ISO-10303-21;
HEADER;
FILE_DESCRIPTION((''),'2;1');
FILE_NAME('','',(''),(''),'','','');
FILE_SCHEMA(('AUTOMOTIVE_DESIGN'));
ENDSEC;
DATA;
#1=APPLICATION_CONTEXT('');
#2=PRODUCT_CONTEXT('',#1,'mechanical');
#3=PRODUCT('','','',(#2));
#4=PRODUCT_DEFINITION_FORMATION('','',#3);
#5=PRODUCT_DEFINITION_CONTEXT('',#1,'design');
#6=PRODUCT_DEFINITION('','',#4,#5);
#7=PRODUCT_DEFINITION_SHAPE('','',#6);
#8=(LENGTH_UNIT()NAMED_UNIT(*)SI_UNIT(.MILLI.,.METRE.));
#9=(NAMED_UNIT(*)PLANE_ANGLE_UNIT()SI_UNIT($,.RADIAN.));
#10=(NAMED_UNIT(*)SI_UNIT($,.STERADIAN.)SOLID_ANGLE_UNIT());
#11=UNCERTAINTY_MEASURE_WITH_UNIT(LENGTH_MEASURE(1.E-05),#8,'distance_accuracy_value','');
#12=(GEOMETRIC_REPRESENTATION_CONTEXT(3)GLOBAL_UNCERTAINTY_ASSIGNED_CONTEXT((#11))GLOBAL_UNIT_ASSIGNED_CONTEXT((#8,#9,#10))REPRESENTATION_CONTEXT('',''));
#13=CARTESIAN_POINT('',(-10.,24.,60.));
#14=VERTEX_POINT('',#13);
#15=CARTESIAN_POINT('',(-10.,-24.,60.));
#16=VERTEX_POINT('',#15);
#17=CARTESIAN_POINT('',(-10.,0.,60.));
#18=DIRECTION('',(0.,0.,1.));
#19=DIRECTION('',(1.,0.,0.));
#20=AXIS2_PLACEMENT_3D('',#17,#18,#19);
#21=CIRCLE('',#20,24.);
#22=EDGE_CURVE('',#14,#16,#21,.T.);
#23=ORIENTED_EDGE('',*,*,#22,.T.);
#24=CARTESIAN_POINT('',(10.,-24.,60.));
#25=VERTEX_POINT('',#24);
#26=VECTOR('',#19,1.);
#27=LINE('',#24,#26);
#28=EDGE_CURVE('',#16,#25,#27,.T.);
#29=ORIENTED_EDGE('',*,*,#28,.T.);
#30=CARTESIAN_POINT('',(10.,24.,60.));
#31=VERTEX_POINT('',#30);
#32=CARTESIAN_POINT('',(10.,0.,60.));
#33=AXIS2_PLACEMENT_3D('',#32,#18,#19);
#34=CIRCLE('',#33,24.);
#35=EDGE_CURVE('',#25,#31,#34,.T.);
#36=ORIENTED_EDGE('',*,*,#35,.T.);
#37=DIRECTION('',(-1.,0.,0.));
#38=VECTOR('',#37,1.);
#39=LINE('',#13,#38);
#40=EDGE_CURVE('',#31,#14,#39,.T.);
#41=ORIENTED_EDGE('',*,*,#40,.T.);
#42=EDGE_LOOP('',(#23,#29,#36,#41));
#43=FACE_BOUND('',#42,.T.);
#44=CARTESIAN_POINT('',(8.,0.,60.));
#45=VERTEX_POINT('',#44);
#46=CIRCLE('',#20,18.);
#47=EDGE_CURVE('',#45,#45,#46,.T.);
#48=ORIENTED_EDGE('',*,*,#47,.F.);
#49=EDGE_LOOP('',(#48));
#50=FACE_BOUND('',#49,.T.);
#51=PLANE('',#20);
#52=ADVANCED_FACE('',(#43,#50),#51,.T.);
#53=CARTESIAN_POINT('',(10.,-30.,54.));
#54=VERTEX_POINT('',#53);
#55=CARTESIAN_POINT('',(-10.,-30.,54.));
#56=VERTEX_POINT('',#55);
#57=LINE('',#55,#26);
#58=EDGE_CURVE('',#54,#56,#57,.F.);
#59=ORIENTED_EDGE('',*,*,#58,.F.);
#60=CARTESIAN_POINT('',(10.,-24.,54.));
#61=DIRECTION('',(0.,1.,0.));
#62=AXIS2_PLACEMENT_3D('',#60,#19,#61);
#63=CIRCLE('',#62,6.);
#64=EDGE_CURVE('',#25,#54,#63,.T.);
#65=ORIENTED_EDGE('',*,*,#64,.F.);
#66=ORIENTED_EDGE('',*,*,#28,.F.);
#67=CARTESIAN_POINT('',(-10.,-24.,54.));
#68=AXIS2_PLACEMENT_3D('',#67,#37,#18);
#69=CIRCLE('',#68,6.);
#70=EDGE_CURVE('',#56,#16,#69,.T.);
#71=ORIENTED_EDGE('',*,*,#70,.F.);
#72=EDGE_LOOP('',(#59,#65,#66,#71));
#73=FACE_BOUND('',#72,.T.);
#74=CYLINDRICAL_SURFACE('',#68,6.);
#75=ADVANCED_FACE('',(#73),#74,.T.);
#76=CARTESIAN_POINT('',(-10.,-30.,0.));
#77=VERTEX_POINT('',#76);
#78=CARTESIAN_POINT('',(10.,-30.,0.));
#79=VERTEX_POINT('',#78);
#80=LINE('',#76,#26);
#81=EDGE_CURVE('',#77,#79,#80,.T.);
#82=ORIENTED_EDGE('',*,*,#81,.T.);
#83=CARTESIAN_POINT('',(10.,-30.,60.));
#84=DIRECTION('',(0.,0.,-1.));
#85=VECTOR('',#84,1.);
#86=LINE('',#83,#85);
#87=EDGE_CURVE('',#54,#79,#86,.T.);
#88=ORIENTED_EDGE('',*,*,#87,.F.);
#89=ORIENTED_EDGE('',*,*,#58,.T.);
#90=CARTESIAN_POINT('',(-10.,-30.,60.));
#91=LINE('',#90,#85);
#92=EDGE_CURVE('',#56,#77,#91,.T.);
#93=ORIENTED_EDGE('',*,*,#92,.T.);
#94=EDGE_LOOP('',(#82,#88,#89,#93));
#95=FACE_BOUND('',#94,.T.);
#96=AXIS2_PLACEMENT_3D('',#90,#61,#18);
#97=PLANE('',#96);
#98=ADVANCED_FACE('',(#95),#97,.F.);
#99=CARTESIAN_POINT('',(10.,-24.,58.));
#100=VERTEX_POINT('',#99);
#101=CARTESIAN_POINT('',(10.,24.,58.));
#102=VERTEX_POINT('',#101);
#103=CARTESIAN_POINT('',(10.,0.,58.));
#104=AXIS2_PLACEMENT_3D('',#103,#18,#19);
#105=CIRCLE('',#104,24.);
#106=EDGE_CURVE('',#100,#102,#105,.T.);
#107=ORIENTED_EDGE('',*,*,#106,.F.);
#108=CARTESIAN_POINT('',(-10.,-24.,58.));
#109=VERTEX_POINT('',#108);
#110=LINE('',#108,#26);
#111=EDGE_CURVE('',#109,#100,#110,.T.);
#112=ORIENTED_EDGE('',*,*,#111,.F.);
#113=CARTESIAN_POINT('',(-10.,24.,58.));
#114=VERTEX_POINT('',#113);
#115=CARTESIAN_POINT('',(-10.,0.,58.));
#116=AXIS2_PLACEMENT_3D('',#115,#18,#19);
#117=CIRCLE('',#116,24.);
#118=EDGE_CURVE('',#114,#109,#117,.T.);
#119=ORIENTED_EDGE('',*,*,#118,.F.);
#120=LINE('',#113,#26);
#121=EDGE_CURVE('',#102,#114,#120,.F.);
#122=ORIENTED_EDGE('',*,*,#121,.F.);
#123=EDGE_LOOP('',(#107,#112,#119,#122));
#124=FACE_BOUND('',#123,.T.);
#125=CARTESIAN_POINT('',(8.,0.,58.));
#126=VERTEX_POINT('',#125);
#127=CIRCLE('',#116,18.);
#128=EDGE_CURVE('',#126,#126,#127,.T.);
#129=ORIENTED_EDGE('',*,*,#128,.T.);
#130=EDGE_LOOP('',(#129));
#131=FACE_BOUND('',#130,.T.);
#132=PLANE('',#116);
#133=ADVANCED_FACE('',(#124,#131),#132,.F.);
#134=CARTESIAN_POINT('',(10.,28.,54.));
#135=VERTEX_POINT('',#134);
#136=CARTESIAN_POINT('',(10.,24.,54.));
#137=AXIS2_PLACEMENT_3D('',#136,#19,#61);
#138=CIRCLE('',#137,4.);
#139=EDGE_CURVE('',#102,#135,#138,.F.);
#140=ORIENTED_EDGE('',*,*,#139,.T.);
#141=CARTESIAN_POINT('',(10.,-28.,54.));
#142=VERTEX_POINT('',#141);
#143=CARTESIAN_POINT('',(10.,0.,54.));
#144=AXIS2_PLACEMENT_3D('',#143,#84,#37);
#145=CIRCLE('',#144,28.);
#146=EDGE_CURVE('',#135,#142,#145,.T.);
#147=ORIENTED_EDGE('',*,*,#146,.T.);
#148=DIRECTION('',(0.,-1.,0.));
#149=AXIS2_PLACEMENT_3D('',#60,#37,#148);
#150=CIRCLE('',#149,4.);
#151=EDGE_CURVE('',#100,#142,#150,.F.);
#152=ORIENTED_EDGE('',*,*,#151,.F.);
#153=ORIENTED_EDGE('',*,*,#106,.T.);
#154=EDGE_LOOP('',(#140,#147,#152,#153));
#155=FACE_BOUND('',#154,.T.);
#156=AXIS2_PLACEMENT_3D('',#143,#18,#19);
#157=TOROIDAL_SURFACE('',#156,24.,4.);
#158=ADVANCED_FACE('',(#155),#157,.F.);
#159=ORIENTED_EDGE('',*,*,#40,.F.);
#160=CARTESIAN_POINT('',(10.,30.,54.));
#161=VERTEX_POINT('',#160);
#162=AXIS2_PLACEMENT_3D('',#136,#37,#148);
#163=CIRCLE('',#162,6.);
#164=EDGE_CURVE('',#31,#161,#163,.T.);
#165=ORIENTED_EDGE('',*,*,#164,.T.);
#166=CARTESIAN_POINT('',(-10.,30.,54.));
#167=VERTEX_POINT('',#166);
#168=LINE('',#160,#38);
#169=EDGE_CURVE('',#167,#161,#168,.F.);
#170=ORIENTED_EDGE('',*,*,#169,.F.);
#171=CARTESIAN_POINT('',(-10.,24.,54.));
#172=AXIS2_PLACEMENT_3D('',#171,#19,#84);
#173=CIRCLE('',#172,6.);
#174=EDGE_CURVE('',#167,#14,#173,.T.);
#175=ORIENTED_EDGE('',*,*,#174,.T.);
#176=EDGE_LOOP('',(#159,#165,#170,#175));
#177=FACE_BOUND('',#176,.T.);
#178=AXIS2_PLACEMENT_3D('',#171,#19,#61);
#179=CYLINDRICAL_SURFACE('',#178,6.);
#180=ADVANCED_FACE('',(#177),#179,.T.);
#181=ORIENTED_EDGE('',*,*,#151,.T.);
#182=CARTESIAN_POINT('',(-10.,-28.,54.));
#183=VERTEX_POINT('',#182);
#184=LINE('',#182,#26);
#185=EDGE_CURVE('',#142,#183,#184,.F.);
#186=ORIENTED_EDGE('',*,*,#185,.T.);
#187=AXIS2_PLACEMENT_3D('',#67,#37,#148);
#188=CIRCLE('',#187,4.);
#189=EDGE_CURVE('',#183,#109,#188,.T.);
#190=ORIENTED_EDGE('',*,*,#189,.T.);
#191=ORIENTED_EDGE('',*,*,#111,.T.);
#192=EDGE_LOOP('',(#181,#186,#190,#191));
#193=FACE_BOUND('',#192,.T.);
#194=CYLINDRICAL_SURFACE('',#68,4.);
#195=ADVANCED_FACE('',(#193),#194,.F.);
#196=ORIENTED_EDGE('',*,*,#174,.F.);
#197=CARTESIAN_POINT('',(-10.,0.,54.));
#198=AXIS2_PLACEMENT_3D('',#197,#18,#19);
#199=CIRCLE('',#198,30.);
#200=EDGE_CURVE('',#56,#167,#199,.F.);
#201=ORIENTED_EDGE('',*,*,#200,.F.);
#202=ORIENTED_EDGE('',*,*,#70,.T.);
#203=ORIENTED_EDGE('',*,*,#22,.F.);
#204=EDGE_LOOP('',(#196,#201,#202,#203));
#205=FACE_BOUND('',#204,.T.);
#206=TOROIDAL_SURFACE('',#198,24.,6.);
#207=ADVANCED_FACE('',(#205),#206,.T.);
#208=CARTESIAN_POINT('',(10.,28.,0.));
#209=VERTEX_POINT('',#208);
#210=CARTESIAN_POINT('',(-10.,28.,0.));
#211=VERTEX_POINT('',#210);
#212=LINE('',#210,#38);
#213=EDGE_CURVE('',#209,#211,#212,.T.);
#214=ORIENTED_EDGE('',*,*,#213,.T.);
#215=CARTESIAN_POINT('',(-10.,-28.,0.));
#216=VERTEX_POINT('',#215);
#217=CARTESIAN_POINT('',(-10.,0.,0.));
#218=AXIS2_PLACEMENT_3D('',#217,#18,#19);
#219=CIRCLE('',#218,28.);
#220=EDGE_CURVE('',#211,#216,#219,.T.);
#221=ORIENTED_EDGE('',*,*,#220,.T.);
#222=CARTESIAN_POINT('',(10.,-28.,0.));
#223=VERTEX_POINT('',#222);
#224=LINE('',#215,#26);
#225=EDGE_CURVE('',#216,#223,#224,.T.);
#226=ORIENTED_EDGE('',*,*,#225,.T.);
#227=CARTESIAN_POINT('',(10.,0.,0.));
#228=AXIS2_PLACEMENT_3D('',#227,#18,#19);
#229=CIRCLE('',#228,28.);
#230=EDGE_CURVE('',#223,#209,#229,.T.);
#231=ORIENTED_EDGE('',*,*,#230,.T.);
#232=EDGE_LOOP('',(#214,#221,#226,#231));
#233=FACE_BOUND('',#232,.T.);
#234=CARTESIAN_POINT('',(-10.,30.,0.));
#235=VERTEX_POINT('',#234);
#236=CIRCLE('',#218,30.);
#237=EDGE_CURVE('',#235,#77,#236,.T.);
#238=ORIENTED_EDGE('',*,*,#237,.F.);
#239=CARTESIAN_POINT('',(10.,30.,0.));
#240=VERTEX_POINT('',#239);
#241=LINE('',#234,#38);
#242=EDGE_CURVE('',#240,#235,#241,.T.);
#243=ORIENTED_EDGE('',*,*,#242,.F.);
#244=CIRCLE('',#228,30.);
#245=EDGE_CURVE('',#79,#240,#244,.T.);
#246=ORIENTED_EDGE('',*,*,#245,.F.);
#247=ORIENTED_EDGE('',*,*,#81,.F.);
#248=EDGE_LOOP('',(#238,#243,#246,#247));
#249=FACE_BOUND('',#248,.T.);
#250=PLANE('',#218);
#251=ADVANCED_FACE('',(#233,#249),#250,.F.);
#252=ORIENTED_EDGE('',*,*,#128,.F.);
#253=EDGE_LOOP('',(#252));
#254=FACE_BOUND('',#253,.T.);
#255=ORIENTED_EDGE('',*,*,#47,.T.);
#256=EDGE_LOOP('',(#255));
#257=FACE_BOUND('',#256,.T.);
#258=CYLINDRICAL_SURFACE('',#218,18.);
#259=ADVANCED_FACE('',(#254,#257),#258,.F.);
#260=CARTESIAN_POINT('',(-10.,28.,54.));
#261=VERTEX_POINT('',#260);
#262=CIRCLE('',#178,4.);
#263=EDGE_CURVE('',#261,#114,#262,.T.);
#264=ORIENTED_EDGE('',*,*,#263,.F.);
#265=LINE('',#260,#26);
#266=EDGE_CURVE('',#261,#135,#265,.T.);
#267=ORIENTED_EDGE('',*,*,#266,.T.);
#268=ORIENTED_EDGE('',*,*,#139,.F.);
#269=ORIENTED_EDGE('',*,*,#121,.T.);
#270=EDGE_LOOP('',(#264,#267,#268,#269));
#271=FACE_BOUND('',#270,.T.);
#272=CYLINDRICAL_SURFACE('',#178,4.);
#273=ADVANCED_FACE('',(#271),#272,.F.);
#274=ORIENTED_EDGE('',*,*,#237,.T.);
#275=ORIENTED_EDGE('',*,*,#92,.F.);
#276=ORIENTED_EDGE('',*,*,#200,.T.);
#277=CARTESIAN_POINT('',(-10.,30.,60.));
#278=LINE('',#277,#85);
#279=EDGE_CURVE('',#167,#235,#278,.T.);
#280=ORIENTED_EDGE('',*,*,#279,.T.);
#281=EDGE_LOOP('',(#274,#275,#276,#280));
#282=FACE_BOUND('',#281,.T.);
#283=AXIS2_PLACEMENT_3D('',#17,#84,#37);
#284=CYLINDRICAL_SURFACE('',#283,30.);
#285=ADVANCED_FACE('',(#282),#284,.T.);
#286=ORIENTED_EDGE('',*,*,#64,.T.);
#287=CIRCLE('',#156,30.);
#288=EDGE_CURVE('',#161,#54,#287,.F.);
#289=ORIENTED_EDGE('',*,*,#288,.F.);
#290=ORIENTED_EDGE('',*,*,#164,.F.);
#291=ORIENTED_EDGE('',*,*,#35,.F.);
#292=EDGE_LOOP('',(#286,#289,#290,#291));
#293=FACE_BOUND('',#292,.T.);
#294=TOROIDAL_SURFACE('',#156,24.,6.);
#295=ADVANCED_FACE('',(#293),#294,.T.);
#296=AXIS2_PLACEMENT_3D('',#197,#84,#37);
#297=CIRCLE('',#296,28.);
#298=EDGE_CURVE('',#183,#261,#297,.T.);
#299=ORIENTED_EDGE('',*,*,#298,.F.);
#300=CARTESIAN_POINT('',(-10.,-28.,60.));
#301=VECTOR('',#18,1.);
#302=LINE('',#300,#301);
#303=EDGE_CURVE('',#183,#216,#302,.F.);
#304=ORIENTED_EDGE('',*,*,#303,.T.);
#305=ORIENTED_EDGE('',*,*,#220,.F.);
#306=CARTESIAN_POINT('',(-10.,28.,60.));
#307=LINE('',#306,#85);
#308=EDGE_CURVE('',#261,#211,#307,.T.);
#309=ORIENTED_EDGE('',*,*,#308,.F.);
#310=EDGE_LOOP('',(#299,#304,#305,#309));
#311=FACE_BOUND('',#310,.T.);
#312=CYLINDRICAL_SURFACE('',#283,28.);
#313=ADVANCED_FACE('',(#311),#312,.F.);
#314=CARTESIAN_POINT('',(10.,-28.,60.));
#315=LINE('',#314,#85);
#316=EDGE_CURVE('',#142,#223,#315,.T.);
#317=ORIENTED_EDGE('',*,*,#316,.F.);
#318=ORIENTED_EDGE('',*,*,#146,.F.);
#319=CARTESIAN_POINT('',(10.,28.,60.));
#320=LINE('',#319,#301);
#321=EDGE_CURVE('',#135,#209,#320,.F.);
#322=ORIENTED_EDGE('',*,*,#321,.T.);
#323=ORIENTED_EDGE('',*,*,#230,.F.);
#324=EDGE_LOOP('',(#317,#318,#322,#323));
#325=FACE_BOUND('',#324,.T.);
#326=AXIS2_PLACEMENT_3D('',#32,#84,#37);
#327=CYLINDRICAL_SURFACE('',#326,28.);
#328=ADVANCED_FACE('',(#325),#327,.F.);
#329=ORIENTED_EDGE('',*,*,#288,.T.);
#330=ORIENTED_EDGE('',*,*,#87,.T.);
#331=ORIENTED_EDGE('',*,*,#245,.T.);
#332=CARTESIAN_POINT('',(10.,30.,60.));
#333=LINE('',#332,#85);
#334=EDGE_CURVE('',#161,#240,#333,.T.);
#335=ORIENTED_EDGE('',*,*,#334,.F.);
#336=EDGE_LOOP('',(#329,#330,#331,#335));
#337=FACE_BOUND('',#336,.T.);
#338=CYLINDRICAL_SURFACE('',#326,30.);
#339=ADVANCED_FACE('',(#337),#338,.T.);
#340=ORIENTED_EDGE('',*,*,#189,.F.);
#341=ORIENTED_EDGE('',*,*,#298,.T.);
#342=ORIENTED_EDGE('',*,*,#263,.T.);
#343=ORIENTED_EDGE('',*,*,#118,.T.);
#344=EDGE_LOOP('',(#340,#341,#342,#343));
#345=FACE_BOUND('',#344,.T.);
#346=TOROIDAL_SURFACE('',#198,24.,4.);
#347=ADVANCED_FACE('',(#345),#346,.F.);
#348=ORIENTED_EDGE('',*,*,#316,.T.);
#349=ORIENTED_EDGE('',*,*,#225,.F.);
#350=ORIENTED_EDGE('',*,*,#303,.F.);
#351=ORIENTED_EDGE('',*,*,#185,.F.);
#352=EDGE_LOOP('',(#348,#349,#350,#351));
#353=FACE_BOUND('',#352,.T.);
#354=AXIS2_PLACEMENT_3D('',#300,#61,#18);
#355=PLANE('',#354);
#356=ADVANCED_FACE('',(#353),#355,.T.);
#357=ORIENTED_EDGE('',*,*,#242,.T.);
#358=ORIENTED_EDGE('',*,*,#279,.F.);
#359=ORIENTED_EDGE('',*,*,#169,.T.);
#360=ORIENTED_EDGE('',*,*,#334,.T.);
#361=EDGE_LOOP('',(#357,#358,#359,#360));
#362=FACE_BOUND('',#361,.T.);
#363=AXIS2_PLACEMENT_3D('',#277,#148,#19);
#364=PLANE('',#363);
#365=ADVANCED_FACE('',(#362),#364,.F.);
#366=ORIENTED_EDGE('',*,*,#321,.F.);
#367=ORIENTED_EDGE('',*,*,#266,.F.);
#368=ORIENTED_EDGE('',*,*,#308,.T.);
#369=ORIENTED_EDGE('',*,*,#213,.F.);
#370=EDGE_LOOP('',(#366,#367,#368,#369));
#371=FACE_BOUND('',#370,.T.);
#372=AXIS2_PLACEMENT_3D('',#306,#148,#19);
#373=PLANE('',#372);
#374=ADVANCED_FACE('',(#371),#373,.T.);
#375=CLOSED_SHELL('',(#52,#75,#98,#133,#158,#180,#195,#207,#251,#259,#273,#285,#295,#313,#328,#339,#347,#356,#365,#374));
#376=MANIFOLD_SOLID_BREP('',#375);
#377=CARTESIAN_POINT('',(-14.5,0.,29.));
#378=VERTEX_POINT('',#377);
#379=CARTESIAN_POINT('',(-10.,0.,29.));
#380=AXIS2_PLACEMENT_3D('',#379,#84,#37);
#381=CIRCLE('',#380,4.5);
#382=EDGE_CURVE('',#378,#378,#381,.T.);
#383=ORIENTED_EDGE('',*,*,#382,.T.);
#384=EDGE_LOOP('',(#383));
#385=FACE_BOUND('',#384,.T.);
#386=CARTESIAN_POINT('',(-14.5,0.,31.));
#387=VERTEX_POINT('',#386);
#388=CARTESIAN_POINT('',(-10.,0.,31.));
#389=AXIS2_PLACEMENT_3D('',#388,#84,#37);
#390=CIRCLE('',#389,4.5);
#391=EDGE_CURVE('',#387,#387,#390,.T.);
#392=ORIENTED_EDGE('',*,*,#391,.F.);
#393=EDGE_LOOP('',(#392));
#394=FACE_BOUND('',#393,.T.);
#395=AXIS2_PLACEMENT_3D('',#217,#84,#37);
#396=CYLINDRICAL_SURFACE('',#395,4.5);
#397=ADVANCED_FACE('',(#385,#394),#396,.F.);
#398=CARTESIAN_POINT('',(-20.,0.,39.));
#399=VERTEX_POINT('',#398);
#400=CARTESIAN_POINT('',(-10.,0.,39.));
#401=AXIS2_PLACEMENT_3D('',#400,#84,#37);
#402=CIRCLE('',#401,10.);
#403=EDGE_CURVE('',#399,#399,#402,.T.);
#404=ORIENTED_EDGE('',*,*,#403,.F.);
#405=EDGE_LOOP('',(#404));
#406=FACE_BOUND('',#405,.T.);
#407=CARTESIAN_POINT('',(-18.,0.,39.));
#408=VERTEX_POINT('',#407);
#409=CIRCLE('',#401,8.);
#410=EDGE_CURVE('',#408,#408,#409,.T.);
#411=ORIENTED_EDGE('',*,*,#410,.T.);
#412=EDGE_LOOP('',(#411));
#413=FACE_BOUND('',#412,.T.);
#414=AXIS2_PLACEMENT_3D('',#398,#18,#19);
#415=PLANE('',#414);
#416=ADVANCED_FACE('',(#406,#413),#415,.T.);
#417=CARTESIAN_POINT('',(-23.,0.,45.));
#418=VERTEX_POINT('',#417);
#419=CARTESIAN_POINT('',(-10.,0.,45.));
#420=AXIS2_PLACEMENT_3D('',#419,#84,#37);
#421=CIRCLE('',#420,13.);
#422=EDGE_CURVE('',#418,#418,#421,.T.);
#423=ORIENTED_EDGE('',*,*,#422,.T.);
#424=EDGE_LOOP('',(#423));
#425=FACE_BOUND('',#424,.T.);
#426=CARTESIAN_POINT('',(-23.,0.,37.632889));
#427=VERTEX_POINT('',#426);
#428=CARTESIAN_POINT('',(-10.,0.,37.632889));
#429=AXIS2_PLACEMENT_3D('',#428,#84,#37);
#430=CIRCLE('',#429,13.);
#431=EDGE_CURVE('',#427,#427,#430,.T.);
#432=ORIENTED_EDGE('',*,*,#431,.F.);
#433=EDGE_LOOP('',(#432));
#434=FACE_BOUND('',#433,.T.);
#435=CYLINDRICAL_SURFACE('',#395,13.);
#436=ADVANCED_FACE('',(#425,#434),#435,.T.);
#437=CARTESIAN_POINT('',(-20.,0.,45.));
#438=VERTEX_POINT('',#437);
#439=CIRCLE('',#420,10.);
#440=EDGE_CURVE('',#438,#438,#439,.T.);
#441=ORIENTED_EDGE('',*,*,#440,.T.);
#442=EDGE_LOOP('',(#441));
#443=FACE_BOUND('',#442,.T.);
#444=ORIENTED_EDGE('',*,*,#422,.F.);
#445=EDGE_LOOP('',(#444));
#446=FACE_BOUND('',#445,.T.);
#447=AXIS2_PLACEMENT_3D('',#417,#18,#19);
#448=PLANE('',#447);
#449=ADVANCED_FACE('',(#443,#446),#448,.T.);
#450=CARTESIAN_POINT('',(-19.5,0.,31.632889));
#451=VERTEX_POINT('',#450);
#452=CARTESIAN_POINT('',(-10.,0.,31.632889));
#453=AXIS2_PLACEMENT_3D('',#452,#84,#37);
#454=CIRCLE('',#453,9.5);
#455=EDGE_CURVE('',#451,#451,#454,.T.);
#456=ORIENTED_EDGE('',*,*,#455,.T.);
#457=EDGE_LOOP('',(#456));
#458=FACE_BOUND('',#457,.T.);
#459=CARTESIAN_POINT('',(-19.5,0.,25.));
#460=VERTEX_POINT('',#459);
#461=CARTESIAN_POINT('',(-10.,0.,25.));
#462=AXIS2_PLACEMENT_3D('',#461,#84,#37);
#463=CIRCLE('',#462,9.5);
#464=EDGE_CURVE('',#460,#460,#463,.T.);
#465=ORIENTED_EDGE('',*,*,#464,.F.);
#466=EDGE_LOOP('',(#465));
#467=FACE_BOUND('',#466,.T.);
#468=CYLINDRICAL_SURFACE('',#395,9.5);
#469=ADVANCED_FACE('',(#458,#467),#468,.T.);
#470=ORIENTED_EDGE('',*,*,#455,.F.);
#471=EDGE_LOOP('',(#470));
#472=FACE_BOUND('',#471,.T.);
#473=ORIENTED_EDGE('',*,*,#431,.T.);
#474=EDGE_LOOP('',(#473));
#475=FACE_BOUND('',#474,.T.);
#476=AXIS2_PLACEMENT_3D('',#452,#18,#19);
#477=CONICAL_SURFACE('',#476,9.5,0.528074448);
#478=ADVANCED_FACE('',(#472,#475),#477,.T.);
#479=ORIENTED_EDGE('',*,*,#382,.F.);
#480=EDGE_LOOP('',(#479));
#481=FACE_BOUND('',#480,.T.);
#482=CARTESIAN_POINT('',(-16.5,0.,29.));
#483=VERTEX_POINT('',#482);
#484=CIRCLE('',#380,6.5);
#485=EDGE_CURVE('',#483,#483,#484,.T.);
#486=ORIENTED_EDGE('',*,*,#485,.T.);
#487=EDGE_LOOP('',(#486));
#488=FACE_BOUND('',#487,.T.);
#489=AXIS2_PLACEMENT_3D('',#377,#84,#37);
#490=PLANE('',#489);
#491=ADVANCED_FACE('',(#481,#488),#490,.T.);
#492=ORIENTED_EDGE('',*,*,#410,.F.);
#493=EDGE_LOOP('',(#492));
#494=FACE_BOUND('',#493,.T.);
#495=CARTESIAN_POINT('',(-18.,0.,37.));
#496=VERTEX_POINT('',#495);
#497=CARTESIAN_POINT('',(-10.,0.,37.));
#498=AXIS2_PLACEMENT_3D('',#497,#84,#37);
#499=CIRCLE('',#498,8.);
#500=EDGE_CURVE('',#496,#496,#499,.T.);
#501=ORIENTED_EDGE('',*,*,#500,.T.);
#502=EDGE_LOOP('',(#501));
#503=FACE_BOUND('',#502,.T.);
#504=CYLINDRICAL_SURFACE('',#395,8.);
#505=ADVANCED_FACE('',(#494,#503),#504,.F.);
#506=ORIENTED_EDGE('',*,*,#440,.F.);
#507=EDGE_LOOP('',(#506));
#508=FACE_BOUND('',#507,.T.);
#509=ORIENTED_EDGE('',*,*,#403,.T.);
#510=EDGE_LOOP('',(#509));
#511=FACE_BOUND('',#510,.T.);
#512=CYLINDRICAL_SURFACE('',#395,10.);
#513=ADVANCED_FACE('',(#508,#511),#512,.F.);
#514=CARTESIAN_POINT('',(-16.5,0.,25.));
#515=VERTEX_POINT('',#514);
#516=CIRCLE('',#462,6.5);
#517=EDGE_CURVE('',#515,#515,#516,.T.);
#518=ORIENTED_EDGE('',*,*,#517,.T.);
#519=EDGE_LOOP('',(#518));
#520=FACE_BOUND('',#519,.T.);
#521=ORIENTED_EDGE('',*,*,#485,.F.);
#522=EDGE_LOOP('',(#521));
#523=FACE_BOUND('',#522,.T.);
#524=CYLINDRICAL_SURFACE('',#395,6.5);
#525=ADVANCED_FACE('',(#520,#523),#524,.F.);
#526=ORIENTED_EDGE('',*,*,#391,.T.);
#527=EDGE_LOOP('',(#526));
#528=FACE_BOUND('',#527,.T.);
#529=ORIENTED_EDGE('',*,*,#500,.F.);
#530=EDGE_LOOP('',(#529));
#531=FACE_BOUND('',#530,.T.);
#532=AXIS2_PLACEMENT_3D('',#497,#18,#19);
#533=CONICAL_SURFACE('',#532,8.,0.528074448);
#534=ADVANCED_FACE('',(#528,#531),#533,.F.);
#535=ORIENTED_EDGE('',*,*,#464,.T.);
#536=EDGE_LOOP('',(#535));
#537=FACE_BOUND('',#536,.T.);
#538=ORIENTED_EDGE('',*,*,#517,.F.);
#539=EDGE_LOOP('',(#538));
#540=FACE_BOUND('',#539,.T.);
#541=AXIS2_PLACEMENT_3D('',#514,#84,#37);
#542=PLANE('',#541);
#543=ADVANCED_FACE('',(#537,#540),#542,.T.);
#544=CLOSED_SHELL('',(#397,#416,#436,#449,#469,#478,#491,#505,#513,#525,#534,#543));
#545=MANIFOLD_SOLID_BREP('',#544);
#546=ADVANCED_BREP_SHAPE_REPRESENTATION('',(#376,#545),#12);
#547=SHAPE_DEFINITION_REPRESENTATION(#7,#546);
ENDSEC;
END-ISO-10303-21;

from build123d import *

# Parameters (mm, degrees)
EXTRUDE_1_DEPTH     = 60
FILLET_1_R          = 6
SHELL_1_T           = -2
SKETCH_3_R          = 18
CUT_EXTRUDE_1_DEPTH = 79.102496759


with BuildPart() as part:
    # 草图2 → 凸台-拉伸1 (new body)
    with BuildSketch(Plane.XY):
        with BuildLine():
            Line((-10, 30), (10, 30))
            ThreePointArc((10, 30), (40, 0), (10, -30))
            Line((10, -30), (-10, -30))
            ThreePointArc((-10, -30), (-40, 0), (-10, 30))
        make_face()
    extrude(amount=EXTRUDE_1_DEPTH)

    # 圆角1
    fillet_1_edges = [part.edges().sort_by_distance(p)[0] for p in [
        (40, 0, 60),
        (0, 30, 60),
        (-40, 0, 60),
        (0, -30, 60),
    ]]
    fillet(fillet_1_edges, radius=FILLET_1_R)

    # 抽壳1
    shell_1_openings = [part.faces().sort_by_distance(p)[0] for p in [
        (0, 0, 0),
    ]]
    offset(amount=SHELL_1_T, openings=shell_1_openings, kind=Kind.INTERSECTION)

    # 草图3 → 切除-拉伸1 (cut, through all)
    with BuildSketch(Plane.XY.offset(60)):
        with Locations((-10, 0)):
            Circle(SKETCH_3_R)
    extrude(amount=-CUT_EXTRUDE_1_DEPTH, mode=Mode.SUBTRACT)


with BuildPart() as body_2:
    # 草图4 → 旋转1 (revolve)
    with BuildSketch(Plane(origin=(0, 0, 0), x_dir=(1, 0, 0), z_dir=(0, 1, 0))):
        Polygon((-20, -45), (-20, -39), (-18, -39), (-18, -37), (-14.5, -31), (-14.5, -29), (-16.5, -29), (-16.5, -25), (-19.5, -25), (-19.5, -31.632889149), (-23, -37.632889149), (-23, -45), align=None)
    revolve(axis=Axis((-10, 0, 0), (0, 0, 1)))


solid = Compound([part.part, body_2.part])
